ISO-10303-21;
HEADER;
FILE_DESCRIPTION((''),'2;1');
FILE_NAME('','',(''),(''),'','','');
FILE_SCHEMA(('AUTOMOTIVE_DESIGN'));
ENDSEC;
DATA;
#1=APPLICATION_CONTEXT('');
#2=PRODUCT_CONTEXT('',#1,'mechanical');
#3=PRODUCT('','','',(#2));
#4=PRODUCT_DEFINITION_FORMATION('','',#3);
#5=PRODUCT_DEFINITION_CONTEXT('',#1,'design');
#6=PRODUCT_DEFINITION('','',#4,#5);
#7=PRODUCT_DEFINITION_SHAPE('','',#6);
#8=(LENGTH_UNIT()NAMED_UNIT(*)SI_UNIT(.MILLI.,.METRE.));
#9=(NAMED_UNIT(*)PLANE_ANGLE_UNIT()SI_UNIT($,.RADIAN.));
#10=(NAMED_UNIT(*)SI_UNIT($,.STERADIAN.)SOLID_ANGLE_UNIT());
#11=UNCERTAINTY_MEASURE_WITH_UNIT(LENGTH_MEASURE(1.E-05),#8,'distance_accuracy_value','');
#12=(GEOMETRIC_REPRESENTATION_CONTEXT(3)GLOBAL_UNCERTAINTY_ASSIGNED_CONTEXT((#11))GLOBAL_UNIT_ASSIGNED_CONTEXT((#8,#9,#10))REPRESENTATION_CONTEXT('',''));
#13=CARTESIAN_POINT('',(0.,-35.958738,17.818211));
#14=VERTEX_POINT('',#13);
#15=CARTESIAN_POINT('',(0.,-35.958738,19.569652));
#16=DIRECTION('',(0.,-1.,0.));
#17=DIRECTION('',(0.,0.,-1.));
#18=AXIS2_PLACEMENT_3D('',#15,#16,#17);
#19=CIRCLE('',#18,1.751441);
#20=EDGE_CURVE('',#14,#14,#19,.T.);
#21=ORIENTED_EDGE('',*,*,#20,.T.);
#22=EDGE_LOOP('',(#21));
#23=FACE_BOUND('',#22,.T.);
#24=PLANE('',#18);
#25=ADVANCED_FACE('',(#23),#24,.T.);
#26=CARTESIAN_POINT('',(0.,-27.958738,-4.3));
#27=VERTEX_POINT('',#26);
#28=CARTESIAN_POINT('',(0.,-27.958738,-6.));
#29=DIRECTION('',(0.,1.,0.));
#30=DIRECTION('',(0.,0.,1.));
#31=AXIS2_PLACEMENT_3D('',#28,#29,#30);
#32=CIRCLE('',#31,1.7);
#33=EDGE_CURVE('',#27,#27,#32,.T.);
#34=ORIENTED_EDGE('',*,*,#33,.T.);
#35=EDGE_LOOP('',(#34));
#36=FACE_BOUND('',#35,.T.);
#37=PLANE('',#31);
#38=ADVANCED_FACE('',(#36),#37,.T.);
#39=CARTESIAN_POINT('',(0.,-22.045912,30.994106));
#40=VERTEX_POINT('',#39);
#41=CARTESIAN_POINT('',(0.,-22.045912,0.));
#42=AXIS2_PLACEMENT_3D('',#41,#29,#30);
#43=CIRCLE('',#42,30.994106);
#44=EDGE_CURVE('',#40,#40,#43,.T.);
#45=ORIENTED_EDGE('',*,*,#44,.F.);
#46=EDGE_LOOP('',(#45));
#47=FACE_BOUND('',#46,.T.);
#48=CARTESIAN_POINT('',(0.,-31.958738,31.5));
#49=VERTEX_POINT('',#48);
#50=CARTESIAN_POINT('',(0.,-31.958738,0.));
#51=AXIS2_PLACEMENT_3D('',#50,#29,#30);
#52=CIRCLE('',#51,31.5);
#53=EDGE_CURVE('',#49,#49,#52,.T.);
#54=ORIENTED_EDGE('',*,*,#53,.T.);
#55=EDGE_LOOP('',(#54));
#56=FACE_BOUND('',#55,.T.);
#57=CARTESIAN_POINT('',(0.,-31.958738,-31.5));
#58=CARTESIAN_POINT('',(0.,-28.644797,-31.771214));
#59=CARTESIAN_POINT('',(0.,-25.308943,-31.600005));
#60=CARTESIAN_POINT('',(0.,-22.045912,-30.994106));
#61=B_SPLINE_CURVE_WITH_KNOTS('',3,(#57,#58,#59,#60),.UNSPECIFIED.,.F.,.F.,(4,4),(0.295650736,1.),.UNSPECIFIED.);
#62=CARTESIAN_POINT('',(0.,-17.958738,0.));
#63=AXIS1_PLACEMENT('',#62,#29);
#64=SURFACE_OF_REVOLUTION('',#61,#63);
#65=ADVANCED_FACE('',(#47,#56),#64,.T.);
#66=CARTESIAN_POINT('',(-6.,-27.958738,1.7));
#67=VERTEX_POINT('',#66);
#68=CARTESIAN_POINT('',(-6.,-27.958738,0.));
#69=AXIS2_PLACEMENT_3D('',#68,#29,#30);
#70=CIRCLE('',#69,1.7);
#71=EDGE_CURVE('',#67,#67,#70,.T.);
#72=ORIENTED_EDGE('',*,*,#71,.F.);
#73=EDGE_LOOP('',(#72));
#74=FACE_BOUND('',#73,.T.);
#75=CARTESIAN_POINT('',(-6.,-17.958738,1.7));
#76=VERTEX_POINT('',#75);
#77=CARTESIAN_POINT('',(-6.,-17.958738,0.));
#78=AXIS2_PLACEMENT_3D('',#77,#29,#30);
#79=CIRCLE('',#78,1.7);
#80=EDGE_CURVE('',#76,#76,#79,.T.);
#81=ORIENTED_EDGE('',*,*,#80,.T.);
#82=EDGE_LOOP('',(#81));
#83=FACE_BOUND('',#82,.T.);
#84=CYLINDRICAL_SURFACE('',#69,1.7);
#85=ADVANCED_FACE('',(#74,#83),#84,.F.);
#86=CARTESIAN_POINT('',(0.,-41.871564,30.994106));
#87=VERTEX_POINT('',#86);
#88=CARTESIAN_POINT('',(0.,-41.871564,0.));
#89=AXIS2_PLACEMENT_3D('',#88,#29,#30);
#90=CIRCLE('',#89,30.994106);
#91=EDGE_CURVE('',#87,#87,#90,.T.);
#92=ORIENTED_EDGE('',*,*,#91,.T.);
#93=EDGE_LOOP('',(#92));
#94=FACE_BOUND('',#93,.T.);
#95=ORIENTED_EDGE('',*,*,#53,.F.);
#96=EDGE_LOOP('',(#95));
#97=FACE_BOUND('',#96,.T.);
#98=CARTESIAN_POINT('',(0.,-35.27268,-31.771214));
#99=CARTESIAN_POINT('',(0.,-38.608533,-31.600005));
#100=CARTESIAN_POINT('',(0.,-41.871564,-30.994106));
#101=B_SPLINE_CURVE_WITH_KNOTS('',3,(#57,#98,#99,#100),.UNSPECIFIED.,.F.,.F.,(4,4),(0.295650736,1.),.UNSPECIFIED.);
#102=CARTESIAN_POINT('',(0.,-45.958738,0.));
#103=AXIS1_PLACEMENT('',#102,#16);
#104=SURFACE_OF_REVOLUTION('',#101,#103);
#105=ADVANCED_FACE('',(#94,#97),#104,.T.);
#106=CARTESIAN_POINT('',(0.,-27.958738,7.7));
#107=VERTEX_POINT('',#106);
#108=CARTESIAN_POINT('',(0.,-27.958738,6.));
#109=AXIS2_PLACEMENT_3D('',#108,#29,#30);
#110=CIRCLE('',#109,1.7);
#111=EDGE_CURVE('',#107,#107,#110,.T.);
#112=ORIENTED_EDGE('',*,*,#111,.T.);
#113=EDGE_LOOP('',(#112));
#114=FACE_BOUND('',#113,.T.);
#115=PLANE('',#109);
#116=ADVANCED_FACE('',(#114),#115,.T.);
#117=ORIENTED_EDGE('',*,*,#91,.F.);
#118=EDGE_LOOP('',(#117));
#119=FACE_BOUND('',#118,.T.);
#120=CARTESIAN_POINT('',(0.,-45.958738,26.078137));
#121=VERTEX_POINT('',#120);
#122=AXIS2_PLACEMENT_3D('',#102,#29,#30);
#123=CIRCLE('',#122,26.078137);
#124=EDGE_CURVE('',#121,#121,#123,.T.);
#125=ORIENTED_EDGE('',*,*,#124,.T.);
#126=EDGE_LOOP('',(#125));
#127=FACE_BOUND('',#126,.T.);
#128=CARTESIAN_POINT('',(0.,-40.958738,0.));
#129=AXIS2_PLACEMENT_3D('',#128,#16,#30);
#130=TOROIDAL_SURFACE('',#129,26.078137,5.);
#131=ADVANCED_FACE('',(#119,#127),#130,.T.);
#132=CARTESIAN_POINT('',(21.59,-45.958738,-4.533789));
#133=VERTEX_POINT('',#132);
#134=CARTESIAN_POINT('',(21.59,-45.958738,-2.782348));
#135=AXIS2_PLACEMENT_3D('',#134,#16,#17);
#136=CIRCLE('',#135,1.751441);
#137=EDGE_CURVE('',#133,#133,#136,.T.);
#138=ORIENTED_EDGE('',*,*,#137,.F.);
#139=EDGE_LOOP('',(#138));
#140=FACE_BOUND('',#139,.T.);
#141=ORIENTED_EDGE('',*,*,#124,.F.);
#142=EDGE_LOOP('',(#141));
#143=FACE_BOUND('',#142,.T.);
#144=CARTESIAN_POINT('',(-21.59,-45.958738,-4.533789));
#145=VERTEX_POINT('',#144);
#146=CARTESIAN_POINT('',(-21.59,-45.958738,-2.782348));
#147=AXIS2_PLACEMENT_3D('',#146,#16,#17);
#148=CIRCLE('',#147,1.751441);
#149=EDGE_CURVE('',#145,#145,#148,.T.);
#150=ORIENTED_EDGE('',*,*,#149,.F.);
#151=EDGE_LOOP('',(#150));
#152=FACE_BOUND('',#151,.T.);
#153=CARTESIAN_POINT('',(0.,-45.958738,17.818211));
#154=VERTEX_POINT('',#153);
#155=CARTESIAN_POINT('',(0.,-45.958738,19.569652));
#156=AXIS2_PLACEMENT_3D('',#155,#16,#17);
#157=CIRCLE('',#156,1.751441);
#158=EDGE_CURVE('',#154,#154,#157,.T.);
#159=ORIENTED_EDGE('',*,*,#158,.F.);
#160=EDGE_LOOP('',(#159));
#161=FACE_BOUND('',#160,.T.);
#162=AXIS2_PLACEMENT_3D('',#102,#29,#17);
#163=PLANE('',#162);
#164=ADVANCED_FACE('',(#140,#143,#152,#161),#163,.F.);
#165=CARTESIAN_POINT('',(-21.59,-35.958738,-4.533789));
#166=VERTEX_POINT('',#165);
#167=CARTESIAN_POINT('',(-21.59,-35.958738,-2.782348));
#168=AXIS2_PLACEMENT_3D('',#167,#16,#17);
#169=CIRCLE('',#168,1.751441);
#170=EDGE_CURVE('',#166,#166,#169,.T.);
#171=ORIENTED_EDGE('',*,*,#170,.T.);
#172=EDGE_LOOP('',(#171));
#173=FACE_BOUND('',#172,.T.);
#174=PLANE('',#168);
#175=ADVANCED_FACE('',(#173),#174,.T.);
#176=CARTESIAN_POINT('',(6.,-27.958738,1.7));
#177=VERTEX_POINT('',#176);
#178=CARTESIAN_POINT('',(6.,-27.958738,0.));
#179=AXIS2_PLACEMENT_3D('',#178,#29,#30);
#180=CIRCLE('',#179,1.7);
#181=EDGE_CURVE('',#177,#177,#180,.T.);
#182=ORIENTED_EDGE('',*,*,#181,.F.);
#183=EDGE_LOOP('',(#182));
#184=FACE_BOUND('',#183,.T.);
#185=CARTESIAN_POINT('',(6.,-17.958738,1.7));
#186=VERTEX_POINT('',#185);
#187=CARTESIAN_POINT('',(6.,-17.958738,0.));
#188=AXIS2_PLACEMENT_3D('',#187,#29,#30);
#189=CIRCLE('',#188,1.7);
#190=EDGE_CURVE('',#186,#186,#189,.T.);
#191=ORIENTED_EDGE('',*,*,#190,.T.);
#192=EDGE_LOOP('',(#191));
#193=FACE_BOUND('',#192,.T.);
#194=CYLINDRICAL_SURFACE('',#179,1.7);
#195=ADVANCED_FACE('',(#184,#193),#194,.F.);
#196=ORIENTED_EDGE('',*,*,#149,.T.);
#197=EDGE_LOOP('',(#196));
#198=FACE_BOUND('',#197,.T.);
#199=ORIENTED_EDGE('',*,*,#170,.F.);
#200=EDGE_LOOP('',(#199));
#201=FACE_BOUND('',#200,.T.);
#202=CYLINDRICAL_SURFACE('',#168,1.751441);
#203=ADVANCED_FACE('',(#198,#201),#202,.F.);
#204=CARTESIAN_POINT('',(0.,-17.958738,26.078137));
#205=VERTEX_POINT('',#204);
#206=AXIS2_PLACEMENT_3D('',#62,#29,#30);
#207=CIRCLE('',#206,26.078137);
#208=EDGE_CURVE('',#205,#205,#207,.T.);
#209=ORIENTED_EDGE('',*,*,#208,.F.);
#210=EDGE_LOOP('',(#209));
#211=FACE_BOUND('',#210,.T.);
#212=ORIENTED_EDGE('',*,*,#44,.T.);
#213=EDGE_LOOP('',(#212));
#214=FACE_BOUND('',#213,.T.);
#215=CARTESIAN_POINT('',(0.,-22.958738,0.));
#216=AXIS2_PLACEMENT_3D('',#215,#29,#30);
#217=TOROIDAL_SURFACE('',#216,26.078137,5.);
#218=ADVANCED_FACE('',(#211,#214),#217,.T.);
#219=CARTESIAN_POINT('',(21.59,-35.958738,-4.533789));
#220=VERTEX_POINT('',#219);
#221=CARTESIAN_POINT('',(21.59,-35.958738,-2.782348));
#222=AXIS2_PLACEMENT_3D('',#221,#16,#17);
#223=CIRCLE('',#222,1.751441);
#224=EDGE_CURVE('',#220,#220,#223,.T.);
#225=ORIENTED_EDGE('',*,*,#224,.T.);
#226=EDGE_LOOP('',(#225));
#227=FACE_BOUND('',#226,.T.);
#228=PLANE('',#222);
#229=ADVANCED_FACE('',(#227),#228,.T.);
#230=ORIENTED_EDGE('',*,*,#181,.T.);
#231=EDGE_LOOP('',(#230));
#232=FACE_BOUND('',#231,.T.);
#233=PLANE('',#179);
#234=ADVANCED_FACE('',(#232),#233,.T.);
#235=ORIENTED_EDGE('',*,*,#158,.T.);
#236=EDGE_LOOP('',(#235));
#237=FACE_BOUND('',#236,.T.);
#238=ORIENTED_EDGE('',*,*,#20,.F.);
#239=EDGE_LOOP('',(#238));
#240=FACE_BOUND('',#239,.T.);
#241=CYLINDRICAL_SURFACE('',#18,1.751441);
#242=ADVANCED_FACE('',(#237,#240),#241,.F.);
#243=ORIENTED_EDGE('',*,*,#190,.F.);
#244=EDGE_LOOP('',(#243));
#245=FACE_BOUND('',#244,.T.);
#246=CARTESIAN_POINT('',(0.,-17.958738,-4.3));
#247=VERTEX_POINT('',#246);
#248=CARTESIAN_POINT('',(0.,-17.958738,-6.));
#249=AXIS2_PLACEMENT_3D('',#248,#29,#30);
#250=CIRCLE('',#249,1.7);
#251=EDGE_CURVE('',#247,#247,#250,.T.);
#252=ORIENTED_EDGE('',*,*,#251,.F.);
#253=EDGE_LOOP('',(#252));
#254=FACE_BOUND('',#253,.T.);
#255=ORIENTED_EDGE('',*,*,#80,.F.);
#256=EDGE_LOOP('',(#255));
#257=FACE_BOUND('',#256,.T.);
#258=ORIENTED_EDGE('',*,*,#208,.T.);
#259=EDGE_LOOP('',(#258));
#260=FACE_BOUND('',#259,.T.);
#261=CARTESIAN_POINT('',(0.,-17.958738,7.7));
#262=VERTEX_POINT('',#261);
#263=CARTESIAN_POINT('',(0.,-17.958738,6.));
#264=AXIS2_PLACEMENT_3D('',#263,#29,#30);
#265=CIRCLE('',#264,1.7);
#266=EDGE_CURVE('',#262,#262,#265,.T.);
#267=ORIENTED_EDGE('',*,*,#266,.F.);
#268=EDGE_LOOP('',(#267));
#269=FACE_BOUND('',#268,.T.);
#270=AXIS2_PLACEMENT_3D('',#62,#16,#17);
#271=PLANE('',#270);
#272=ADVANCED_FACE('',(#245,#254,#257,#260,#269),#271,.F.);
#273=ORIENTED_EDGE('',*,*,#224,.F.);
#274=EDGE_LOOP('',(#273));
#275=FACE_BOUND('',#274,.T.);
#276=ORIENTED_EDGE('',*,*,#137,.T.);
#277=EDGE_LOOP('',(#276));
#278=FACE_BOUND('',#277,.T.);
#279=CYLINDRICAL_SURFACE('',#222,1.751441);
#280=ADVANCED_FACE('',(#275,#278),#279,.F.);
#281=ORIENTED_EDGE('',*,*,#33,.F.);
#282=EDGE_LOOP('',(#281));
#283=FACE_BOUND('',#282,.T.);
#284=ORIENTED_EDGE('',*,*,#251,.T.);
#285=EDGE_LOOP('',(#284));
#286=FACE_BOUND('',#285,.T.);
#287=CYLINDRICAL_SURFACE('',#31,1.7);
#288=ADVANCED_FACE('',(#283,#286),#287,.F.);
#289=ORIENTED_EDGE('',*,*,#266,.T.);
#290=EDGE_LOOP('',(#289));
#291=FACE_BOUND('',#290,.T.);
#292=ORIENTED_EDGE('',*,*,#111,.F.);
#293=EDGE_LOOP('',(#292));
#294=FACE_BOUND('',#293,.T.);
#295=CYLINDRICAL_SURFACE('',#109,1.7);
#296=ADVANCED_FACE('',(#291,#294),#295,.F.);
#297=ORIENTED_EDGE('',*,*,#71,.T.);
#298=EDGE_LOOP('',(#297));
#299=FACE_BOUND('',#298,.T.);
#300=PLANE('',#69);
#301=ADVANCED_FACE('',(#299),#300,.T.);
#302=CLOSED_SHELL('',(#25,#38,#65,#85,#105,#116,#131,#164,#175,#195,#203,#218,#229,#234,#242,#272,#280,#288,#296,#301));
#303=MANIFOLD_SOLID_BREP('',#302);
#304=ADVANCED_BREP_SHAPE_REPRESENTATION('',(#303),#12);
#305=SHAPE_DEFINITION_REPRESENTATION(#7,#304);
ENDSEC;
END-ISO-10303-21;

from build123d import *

# Parameters (mm, degrees)
SKETCH2_R          = 1.7
CUT_EXTRUDE1_DEPTH = 10
SKETCH3_R          = 1.751440935
CUT_EXTRUDE2_DEPTH = 10


with BuildPart() as part:
    # Sketch1 → Revolve1 (revolve)
    with BuildSketch(Plane(origin=(0, 0, 0), x_dir=(0, 0, -1), z_dir=(1, 0, 0)), mode=Mode.PRIVATE) as revolve1_sk:
        with BuildLine():
            Line((0, -17.958738126), (0, -31.958738126))
            Line((0, -31.958738126), (31.5, -31.958738126))
            add(Edge.make_bspline(
                [(30.994105567, -22.045911826), (31.600004636, -25.308943196), (31.771214432, -28.644796683), (31.5, -31.958738126)],
                knots=[0.295650736, 0.295650736, 0.295650736, 0.295650736, 1, 1, 1, 1], degree=3))
            ThreePointArc((30.994105567, -22.045911826), (29.274687246, -19.113992913), (26.078136879, -17.958738126))
            Line((26.078136879, -17.958738126), (0, -17.958738126))
        make_face()
    revolve1 = revolve(revolve1_sk.sketch.rotate(Axis((0, -17.958738126, 0), (0, -1, 0)), 180), axis=Axis((0, -17.958738126, 0), (0, -1, 0)))

    # Mirror1: Revolve1 across plane
    add(revolve1.mirror(Plane(origin=(0, -31.958738126, 0), x_dir=(0, 0, 1), z_dir=(0, -1, 0))))

    # Sketch2 → Cut-Extrude1 (cut)
    with BuildSketch(Plane(origin=(0, -17.958738126, 0), x_dir=(1, 0, 0), z_dir=(0, 1, 0))):
        with Locations(Location((-6, 0, 0), (0, 0, 270))):
            Circle(SKETCH2_R)
        with Locations(Location((0, 6, 0), (0, 0, 270))):
            Circle(SKETCH2_R)
        with Locations(Location((6, 0, 0), (0, 0, 270))):
            Circle(SKETCH2_R)
        with Locations(Location((0, -6, 0), (0, 0, 270))):
            Circle(SKETCH2_R)
    extrude(amount=-CUT_EXTRUDE1_DEPTH, mode=Mode.SUBTRACT)

    # Sketch3 → Cut-Extrude2 (cut)
    with BuildSketch(Plane.XZ.offset(45.958738126)):
        with Locations(Location((-21.59, -2.782347586, 0), (0, 0, 270))):
            Circle(SKETCH3_R)
        with Locations(Location((0, 19.569652414, 0), (0, 0, 270))):
            Circle(SKETCH3_R)
        with Locations(Location((21.59, -2.782347586, 0), (0, 0, 270))):
            Circle(SKETCH3_R)
    extrude(amount=-CUT_EXTRUDE2_DEPTH, mode=Mode.SUBTRACT)


solid = part.part
